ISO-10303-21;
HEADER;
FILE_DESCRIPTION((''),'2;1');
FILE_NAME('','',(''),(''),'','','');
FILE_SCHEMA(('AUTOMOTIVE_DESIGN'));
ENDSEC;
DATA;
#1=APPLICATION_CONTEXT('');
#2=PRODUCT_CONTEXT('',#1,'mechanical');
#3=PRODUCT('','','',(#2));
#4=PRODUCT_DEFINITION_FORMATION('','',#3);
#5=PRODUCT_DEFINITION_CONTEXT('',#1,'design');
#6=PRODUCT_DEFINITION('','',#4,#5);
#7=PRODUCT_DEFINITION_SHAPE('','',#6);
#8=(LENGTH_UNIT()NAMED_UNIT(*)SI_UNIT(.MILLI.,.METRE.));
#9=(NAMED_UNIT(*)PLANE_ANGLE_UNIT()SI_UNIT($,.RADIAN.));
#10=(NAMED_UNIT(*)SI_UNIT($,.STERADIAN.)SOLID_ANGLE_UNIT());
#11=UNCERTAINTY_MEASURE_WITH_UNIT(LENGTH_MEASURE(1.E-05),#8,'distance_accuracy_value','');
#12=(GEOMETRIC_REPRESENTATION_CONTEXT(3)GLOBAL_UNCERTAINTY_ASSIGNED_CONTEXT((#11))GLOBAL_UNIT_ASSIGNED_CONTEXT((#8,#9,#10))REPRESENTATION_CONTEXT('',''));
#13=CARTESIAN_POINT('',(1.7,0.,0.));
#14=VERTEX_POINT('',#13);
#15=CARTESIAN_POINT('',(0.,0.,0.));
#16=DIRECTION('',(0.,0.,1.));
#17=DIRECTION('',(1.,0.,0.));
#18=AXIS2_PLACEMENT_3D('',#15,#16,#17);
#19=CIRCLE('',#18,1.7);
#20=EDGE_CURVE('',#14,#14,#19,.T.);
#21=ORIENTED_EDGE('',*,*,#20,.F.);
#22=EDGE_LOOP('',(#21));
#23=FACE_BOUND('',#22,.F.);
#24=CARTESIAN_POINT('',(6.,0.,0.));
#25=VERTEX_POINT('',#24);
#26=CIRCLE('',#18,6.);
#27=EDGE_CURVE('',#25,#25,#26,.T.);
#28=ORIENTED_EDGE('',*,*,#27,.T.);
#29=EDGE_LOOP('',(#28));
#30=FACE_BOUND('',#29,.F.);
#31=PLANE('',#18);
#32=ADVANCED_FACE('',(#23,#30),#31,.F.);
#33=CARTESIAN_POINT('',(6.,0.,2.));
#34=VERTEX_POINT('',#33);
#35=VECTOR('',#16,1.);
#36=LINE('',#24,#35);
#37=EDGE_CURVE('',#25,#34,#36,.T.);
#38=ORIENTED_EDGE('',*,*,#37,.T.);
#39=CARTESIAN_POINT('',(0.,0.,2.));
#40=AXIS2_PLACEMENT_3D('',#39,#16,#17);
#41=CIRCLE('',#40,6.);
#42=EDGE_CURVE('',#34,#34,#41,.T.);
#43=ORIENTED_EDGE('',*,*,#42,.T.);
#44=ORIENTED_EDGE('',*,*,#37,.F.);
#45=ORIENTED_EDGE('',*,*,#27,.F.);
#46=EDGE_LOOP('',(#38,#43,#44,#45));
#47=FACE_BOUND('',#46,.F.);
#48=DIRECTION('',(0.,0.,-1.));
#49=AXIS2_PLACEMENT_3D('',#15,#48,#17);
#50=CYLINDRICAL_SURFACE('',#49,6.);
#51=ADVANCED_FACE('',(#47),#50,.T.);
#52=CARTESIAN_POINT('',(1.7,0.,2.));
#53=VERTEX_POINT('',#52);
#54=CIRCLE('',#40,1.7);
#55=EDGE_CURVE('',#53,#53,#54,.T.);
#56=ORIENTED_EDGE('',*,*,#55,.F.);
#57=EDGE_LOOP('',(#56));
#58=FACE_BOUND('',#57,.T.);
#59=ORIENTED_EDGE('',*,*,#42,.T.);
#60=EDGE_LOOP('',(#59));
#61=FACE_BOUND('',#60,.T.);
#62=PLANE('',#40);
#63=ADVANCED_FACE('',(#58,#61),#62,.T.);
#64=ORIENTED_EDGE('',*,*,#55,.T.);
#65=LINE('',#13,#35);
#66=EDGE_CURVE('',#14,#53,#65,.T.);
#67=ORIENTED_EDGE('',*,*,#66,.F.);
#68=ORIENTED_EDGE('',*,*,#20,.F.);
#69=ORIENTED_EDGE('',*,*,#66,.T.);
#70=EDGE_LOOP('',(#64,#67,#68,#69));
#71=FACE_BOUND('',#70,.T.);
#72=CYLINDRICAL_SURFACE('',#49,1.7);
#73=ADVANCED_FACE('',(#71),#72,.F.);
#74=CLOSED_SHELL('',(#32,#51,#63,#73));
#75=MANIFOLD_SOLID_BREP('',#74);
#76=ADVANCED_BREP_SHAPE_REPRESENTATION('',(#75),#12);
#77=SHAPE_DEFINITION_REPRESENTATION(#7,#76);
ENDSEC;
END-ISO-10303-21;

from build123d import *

# Parameters (mm, degrees)
SKETCH_R   = 6
SKETCH_R_2 = 1.7
PAD_DEPTH  = 2


with BuildPart() as part:
    # Sketch → Pad (new body)
    with BuildSketch(Plane.XY):
        Circle(SKETCH_R)
        Circle(SKETCH_R_2, mode=Mode.SUBTRACT)
    extrude(amount=PAD_DEPTH)


solid = part.part
